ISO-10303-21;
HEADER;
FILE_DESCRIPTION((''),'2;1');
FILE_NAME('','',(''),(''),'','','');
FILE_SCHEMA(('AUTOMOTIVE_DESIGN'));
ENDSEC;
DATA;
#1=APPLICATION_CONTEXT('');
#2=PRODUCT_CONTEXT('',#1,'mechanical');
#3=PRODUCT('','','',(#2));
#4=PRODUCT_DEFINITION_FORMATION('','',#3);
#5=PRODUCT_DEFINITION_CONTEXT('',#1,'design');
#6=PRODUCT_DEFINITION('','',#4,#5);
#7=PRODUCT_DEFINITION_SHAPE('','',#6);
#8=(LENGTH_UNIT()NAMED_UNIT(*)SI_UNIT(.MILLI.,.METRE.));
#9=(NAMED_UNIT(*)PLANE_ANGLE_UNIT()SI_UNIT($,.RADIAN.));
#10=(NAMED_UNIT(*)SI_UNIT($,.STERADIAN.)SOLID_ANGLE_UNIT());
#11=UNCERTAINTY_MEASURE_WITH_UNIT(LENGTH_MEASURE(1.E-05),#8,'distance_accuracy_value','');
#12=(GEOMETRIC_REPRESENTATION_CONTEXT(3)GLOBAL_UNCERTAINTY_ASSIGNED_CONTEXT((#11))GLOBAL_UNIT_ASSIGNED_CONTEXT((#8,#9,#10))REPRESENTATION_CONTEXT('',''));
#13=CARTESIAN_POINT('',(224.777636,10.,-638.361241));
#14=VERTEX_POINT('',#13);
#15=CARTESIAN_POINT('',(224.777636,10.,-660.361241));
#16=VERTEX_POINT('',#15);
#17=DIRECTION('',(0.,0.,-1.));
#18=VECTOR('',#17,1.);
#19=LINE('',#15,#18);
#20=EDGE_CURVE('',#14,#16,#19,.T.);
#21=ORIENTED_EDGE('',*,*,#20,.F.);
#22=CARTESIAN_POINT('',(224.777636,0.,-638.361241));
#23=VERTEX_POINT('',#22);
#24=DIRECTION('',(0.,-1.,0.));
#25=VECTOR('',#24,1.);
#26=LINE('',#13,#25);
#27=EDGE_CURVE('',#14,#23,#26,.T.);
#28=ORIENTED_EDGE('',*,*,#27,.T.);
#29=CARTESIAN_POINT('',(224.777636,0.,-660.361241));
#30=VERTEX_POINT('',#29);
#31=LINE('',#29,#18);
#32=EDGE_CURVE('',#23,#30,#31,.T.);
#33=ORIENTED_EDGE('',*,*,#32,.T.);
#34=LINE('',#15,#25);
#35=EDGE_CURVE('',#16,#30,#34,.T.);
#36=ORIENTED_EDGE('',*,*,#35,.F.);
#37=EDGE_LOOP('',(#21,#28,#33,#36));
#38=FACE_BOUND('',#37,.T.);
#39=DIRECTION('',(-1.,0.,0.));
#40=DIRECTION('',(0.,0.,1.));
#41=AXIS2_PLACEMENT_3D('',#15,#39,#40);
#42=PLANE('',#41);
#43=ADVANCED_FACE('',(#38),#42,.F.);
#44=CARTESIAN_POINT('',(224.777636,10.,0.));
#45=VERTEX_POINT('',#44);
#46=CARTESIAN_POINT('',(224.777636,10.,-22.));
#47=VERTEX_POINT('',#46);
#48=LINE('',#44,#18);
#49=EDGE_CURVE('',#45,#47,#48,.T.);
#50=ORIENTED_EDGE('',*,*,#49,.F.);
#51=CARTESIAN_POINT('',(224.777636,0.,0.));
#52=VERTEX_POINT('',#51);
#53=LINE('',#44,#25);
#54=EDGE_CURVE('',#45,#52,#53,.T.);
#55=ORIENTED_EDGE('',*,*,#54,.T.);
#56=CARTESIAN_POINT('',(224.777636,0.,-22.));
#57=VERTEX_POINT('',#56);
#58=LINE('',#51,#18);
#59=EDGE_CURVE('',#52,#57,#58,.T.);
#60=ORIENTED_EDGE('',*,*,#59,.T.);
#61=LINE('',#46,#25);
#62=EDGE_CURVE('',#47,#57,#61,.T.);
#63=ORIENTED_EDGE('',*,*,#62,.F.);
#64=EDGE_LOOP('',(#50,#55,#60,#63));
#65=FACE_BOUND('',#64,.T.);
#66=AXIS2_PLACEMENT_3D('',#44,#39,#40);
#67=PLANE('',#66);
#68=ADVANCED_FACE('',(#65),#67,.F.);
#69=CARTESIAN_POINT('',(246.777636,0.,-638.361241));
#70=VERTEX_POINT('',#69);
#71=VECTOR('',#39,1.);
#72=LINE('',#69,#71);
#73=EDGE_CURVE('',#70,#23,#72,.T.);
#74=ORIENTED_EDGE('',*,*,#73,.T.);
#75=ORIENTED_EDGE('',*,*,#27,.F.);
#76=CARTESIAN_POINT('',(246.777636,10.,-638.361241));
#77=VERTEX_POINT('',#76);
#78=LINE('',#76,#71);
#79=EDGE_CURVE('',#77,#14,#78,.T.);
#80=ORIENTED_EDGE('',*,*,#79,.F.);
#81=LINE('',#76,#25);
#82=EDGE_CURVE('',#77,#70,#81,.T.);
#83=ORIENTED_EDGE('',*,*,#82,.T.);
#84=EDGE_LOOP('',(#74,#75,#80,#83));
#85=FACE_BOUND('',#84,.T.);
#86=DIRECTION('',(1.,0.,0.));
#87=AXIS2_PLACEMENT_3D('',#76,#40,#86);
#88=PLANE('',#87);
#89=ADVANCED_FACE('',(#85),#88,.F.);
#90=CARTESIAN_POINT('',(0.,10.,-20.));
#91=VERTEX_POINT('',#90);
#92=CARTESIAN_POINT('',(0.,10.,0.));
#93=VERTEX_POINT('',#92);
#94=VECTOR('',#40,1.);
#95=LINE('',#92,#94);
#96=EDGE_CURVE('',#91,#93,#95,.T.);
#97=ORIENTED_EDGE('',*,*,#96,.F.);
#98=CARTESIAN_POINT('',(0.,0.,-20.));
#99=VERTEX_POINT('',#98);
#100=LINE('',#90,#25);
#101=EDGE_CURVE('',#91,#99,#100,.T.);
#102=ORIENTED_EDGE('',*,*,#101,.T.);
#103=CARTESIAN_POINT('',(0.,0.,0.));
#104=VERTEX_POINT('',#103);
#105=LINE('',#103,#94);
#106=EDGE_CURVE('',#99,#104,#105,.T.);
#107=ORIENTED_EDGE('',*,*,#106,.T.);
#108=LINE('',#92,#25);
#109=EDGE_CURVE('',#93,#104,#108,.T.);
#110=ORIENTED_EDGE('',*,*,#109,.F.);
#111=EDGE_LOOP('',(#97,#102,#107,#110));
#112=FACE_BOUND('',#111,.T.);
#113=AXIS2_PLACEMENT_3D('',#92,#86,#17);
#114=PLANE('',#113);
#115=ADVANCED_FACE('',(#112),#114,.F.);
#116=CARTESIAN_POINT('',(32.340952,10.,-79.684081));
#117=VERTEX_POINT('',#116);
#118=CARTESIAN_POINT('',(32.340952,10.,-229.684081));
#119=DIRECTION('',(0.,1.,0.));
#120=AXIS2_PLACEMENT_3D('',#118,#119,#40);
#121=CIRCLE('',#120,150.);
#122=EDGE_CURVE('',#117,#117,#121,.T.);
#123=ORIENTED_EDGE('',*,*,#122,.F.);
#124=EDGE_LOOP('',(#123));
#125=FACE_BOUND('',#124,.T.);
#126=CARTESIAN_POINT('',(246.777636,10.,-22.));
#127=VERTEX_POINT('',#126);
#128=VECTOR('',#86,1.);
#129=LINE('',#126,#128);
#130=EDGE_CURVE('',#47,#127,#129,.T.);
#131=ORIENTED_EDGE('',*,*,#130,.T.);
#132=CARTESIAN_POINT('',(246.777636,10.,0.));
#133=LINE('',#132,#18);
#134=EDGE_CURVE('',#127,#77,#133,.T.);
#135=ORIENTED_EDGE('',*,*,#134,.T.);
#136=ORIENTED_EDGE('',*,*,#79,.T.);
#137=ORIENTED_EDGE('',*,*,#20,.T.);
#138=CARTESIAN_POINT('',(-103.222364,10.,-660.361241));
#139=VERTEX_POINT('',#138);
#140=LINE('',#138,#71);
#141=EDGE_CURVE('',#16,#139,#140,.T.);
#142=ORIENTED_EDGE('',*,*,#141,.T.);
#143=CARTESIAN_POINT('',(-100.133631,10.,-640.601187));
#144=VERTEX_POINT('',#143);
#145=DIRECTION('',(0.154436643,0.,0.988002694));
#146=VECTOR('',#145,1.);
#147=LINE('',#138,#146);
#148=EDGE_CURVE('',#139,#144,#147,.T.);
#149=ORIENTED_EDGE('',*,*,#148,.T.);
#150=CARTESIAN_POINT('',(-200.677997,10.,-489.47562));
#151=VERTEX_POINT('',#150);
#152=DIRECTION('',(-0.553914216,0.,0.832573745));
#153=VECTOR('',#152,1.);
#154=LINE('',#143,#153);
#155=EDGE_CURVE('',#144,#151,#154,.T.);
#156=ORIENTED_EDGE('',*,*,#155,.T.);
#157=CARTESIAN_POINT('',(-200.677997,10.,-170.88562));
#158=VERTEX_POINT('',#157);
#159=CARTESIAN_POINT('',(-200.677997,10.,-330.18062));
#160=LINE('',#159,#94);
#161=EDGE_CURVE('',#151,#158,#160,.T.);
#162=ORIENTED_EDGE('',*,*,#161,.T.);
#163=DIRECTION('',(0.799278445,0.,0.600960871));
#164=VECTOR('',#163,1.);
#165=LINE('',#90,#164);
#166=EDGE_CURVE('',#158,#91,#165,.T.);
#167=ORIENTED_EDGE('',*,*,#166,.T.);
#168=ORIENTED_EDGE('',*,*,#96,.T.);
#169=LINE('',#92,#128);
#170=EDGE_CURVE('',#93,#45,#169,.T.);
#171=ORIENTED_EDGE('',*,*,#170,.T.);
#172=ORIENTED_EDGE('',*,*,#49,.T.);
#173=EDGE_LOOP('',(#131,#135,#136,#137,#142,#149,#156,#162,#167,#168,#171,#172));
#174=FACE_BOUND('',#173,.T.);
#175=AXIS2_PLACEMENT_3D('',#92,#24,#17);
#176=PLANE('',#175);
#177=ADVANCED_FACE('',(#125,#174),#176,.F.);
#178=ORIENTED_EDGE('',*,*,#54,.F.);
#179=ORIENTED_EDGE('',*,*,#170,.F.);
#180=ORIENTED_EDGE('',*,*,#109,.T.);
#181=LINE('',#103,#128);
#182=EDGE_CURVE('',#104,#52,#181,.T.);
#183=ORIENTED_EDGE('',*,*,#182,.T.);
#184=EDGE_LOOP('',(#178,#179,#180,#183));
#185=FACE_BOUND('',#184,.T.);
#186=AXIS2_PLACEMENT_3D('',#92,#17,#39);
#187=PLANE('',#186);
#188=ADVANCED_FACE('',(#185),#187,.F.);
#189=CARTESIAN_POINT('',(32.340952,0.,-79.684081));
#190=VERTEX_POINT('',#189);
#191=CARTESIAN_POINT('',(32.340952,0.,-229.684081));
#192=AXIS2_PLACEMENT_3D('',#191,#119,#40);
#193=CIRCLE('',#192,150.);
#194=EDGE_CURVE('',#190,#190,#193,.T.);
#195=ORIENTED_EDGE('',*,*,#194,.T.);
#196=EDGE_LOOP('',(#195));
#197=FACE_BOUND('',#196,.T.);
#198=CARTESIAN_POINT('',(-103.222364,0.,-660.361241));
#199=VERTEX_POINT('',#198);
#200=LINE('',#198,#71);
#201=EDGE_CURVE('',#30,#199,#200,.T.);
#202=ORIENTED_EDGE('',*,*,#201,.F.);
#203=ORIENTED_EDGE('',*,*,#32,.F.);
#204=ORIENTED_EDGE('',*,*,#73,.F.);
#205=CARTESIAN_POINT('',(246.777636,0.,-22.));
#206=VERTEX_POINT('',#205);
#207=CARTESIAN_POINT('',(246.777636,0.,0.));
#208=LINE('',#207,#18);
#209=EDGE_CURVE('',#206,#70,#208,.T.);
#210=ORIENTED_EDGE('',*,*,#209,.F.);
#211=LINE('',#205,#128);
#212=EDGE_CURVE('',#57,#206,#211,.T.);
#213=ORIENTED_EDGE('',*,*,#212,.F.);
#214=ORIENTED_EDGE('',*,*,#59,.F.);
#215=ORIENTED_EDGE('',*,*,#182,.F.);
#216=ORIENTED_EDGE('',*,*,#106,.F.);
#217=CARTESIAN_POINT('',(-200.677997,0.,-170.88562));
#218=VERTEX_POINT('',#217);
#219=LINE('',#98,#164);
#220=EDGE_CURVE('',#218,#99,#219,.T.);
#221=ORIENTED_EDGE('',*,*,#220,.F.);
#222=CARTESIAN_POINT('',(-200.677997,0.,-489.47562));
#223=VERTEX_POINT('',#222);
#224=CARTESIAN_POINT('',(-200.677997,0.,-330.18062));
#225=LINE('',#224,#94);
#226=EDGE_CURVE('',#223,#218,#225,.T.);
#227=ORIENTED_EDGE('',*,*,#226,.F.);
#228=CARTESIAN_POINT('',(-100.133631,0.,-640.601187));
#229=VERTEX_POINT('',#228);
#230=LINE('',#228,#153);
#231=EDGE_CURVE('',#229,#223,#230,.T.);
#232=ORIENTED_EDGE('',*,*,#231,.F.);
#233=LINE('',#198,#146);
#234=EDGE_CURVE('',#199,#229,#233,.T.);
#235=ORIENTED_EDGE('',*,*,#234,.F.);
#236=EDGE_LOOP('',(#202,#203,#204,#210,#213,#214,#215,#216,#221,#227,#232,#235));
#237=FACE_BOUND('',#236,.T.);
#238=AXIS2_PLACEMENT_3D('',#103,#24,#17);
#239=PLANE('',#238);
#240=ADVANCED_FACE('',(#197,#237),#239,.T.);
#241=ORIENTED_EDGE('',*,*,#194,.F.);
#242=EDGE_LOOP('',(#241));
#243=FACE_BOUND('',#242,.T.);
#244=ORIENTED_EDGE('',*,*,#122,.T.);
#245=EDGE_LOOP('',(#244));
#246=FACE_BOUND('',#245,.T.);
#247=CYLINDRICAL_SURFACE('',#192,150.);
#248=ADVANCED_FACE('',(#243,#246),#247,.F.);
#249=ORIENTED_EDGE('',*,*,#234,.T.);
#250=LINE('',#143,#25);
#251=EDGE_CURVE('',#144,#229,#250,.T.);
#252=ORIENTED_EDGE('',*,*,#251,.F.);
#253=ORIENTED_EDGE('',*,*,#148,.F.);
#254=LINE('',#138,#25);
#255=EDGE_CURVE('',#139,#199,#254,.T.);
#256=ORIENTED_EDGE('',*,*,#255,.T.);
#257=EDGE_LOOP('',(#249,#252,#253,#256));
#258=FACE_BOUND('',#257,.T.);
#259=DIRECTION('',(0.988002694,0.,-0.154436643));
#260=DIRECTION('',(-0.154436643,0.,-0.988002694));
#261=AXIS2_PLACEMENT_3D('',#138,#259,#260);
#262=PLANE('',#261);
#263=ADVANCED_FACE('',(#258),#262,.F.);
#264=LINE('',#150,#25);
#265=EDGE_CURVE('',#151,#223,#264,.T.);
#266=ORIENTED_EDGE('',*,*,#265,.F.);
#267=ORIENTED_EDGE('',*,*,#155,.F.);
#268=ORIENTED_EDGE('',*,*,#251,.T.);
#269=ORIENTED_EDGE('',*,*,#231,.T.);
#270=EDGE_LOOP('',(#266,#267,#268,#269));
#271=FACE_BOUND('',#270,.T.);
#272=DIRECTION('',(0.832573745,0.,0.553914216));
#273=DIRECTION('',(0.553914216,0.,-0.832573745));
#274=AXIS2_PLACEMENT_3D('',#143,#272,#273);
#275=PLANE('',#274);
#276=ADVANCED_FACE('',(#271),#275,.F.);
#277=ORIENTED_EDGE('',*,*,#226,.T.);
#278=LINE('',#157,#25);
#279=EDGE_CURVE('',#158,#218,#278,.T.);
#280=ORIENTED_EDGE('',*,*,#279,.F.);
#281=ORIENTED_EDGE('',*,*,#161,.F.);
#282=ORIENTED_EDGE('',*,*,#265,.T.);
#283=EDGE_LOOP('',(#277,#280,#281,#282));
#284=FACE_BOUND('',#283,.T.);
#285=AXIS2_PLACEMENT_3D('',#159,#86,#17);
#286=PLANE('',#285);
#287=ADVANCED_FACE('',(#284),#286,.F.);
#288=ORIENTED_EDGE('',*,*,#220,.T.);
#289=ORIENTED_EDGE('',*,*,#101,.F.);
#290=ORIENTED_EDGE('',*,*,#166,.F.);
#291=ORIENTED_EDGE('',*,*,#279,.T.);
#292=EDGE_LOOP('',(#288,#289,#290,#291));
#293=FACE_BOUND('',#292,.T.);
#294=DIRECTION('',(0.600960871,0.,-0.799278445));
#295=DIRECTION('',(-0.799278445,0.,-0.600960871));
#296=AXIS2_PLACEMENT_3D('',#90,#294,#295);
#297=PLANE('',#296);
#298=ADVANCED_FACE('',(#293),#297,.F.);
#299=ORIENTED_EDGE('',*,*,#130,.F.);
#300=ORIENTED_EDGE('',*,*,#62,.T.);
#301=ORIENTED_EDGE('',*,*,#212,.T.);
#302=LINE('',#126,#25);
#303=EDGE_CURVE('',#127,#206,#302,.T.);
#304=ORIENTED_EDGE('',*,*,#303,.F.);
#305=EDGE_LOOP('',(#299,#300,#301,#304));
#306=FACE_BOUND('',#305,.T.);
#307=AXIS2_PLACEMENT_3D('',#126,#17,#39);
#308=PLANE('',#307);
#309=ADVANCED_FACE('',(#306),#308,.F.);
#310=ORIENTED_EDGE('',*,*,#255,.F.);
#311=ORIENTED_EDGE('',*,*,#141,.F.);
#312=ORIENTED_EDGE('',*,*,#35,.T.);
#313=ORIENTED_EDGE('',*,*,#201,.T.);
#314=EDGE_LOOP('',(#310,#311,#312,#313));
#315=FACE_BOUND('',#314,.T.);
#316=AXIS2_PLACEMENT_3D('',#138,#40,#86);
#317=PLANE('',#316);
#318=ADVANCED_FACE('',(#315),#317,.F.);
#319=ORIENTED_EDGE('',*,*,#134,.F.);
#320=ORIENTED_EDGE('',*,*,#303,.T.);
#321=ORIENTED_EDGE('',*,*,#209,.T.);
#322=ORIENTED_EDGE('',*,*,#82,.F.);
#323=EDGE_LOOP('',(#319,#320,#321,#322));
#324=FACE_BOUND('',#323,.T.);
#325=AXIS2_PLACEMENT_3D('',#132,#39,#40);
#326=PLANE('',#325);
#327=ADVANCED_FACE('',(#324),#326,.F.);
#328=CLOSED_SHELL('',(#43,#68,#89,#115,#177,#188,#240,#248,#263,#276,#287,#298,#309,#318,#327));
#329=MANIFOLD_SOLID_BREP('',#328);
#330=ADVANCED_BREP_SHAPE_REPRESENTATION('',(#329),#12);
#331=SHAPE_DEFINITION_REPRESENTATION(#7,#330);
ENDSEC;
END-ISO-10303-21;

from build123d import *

# Parameters (mm, degrees)
BOSS_EXTRUDE2_DEPTH = 10
SKETCH4_W           = 20
SKETCH4_H           = 20
CUT_EXTRUDE1_DEPTH  = 10
SKETCH5_W           = 22
SKETCH5_H           = 22
CUT_EXTRUDE2_DEPTH  = 11
SKETCH6_R           = 150
CUT_EXTRUDE3_DEPTH  = 11


with BuildPart() as part:
    # Sketch1 → Boss-Extrude2 (new body)
    with BuildSketch(Plane(origin=(0, 0, 0), x_dir=(1, 0, 0), z_dir=(0, 1, 0))):
        Polygon((0, 0), (246.777636447, 0), (246.777636447, 660.361240582), (-103.222363553, 660.361240582), (-100.13363069, 640.601186703), (-200.677997122, 489.475620291), (-200.677997122, 330.180620291), (-200.677997122, 170.885620291), (0, 20), align=None)
    extrude(amount=BOSS_EXTRUDE2_DEPTH)

    # Sketch4 → Cut-Extrude1 (cut)
    with BuildSketch(Plane(origin=(0, 10, 0), x_dir=(1, 0, 0), z_dir=(0, 1, 0))):
        with Locations((-10, 348.38)):
            Rectangle(SKETCH4_W, SKETCH4_H)
    extrude(amount=-CUT_EXTRUDE1_DEPTH, mode=Mode.SUBTRACT)

    # Sketch5 → Cut-Extrude2 (cut, through all)
    with BuildSketch(Plane.XZ):
        with Locations((235.777636447, -649.361240582)):
            Rectangle(SKETCH5_W, SKETCH5_H)
        with Locations((235.777636447, -11)):
            Rectangle(SKETCH5_W, SKETCH5_H)
    extrude(amount=-CUT_EXTRUDE2_DEPTH, mode=Mode.SUBTRACT)

    # Sketch6 → Cut-Extrude3 (cut, through all)
    with BuildSketch(Plane(origin=(0, 10, 0), x_dir=(1, 0, 0), z_dir=(0, 1, 0))):
        with Locations((32.340951638, 229.684080555)):
            Circle(SKETCH6_R)
    extrude(amount=-CUT_EXTRUDE3_DEPTH, mode=Mode.SUBTRACT)


solid = part.part
